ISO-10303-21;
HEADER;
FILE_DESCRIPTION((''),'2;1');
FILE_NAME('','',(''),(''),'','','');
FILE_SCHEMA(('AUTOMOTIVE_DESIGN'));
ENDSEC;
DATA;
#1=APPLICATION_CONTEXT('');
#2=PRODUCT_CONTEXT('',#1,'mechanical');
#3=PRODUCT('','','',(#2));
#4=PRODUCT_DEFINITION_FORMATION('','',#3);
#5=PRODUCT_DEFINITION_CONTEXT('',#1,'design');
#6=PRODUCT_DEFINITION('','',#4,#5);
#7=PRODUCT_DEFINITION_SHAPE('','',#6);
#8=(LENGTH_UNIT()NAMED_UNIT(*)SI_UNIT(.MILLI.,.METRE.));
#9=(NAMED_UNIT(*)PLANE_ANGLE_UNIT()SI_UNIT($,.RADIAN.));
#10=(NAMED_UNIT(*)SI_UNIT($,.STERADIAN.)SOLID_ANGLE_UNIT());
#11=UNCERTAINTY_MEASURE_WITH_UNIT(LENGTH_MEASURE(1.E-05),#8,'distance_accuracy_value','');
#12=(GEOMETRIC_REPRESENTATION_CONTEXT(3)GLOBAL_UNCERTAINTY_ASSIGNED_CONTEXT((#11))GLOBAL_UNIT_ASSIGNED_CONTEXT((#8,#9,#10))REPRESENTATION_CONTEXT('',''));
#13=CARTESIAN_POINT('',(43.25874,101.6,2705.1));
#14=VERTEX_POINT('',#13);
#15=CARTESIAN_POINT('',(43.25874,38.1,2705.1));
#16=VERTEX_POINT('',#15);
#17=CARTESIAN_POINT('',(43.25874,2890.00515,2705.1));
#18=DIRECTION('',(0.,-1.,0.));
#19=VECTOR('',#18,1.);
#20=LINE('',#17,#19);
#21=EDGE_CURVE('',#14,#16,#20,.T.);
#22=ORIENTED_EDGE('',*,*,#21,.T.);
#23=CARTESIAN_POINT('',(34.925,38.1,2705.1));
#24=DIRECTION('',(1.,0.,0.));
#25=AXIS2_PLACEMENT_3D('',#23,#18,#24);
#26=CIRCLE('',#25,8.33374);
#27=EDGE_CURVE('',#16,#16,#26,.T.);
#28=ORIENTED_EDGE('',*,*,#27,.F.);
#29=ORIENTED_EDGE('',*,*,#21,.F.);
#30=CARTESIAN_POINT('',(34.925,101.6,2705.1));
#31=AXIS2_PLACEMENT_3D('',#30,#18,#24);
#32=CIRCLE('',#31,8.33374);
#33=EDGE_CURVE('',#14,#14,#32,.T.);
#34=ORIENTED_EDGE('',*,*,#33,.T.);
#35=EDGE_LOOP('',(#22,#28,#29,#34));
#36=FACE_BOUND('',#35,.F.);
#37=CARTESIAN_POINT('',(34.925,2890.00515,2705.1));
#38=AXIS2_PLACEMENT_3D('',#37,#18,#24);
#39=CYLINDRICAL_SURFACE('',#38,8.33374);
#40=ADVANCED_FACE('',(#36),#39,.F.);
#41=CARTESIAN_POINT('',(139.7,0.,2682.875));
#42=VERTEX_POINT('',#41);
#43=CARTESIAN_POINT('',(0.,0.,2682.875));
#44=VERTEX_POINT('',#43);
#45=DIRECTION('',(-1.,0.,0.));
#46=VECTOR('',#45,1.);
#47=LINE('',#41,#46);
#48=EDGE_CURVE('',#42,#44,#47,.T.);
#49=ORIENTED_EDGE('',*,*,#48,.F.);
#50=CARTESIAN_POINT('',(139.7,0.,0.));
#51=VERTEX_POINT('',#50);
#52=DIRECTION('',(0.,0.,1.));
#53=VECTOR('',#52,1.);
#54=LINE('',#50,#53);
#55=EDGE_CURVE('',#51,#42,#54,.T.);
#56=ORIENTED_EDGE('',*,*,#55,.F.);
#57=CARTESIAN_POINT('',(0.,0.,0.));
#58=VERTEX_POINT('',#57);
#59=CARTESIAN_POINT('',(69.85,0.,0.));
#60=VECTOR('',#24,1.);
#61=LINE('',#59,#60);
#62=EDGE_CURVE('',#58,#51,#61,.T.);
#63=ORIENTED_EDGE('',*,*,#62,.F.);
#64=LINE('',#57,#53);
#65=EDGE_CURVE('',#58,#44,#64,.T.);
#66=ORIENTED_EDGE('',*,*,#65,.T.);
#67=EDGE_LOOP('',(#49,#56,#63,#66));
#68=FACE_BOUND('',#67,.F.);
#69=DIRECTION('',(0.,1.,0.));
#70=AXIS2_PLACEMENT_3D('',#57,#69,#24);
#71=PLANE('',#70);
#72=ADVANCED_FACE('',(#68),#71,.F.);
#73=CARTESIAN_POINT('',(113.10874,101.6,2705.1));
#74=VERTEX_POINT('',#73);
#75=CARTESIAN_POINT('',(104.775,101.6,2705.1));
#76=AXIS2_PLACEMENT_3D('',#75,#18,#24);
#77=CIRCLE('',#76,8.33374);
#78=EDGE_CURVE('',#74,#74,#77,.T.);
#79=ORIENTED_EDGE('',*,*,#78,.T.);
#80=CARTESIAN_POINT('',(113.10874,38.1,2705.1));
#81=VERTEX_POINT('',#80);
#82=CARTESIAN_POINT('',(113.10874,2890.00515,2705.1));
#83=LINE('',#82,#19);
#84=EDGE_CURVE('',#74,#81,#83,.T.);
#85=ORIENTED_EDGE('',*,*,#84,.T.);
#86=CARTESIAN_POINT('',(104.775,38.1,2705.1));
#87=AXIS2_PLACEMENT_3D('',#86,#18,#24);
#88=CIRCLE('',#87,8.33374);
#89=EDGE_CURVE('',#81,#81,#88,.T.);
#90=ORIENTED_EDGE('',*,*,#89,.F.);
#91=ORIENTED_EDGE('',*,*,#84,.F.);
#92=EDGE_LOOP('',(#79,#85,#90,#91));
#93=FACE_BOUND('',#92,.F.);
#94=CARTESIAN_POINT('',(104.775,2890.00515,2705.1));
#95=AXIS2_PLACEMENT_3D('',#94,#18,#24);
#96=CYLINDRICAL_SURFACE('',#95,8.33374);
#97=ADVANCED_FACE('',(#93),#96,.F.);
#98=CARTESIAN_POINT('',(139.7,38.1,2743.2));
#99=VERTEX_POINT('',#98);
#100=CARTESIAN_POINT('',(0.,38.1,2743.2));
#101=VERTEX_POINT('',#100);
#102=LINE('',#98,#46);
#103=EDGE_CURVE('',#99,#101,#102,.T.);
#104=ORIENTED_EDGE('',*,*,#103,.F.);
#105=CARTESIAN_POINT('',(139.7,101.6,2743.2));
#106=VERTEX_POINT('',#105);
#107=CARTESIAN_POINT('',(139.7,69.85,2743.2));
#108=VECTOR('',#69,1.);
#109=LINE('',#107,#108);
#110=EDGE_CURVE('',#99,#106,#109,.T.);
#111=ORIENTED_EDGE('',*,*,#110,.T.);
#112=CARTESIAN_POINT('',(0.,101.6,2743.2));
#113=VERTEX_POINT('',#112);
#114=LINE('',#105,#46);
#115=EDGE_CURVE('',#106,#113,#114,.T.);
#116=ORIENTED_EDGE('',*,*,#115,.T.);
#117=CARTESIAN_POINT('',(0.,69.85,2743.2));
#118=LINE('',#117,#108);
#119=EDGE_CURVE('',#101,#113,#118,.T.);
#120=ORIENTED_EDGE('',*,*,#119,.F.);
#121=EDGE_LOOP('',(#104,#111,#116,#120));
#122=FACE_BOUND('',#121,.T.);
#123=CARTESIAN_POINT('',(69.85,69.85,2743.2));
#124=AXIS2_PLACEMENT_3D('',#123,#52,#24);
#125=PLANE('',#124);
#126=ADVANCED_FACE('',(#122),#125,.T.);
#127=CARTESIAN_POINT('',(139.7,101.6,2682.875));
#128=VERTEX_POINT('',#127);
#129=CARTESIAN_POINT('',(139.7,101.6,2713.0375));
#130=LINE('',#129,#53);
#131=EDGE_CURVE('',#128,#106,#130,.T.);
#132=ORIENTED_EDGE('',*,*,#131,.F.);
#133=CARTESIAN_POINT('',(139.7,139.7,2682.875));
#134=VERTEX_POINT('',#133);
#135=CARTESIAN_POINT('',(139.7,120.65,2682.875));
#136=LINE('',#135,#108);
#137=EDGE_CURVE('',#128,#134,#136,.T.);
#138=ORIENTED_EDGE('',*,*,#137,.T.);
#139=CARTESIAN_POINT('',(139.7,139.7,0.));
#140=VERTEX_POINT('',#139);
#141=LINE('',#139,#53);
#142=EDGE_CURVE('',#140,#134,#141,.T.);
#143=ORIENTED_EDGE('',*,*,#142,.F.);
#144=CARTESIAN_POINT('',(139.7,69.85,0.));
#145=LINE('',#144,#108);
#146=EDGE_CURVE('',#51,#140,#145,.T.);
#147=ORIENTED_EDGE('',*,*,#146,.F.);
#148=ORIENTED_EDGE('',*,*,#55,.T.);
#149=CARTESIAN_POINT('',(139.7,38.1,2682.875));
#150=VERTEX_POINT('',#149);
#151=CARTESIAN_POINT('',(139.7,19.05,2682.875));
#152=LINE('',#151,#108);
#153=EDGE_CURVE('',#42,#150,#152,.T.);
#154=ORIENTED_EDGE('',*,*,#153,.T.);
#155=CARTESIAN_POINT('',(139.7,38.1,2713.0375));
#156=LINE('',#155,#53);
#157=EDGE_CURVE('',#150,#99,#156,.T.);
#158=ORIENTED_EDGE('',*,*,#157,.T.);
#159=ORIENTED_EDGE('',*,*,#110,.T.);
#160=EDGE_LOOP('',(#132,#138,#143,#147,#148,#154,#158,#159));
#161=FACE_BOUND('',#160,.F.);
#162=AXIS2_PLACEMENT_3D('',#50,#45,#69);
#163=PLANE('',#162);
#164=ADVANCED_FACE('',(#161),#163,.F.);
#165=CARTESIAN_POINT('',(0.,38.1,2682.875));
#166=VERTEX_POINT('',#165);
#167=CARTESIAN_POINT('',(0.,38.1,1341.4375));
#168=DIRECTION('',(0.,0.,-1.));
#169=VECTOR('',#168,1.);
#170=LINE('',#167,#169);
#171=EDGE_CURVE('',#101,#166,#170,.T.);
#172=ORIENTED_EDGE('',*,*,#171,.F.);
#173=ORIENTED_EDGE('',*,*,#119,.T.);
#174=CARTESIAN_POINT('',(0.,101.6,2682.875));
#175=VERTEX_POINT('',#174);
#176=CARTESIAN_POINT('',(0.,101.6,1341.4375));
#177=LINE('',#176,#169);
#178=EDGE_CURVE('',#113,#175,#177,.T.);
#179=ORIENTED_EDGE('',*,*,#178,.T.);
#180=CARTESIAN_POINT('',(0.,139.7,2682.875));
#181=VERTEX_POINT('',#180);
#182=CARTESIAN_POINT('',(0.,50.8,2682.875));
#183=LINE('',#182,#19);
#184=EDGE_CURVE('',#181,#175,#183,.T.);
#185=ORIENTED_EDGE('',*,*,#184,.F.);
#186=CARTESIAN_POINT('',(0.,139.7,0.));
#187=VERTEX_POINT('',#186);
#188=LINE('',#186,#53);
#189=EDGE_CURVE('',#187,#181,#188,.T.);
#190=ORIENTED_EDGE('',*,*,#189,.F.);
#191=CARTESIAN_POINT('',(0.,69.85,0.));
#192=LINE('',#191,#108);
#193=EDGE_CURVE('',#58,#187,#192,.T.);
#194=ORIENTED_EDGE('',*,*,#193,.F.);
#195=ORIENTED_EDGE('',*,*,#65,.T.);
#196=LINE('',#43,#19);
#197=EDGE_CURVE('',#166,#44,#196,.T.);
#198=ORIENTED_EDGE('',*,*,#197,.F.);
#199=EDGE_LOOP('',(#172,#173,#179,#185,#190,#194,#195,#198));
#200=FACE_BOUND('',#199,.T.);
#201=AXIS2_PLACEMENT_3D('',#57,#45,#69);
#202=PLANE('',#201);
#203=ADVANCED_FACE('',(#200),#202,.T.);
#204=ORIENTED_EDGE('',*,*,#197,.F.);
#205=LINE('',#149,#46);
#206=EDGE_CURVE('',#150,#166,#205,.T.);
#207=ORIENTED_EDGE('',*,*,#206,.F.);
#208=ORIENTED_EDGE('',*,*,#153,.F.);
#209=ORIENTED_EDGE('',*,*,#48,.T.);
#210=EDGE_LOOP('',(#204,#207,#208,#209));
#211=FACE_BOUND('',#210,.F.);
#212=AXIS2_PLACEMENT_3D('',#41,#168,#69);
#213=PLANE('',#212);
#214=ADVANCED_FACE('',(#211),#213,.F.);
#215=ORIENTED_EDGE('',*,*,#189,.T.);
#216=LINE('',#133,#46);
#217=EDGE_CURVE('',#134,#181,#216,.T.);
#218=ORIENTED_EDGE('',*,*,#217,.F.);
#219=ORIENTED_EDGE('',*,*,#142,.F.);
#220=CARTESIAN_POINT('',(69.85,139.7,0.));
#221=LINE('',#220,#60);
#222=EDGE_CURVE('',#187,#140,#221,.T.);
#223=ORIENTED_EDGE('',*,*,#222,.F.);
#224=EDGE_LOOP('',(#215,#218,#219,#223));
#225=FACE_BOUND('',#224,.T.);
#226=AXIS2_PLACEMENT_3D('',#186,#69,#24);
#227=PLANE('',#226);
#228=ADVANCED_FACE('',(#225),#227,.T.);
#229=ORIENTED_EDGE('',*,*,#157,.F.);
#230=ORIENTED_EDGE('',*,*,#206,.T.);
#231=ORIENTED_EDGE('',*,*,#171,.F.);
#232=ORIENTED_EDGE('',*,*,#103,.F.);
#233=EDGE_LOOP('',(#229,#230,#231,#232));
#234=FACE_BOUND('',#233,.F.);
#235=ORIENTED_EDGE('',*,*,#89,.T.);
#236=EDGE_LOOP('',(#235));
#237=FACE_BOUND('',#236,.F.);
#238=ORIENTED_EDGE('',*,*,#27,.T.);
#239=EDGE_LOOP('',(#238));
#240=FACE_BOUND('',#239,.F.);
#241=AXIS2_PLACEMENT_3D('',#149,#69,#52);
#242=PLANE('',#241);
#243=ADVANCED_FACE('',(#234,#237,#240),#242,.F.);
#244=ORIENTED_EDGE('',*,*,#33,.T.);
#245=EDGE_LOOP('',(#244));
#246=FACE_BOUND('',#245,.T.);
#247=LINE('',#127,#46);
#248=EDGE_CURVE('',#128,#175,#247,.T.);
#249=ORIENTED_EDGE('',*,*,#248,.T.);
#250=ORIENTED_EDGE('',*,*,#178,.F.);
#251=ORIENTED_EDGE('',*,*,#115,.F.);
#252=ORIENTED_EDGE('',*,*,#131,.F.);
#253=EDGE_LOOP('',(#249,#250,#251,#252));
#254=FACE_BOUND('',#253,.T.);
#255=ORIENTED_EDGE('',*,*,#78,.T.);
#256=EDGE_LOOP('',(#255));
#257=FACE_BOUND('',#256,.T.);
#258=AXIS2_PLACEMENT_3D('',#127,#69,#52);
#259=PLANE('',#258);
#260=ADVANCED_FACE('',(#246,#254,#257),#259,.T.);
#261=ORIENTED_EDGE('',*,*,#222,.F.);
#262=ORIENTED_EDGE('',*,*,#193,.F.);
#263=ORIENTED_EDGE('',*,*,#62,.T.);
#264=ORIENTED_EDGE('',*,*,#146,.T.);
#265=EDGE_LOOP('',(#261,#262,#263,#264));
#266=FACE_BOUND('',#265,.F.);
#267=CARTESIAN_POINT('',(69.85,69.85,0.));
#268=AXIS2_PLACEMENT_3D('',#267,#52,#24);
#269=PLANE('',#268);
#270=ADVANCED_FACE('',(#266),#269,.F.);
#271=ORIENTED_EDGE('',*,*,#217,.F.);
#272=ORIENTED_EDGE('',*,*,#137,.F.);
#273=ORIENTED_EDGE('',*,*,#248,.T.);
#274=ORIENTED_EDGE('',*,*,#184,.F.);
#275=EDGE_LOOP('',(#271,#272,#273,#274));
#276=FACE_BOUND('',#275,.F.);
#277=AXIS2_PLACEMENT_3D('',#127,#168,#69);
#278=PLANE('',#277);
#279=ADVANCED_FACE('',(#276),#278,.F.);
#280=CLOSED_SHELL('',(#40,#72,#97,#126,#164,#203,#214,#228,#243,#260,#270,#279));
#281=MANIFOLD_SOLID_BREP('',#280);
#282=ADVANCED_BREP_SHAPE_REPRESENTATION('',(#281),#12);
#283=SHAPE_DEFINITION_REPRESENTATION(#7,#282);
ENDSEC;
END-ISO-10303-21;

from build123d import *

# Parameters (mm, degrees)
F0_W     = 139.7
F0_H     = 139.7
F1_DEPTH = 2743.2
F2_W     = 38.1
F2_H     = 60.325
F3_DEPTH = 139.701
F5_D     = 16.66748


with BuildPart() as f1:
    # F0 (on Top) → F1 (new body)
    with BuildSketch(Plane.XY):
        with Locations((69.85, 69.85)):
            Rectangle(F0_W, F0_H)
    extrude(amount=F1_DEPTH)

    # F2 (on face) → F3 (cut, through all)
    with BuildSketch(Plane.YZ.offset(139.7)):
        with Locations((19.05, 2713.0375)):
            Rectangle(F2_W, F2_H)
        with Locations((120.65, 2713.0375)):
            Rectangle(F2_W, F2_H)
    extrude(amount=-F3_DEPTH, mode=Mode.SUBTRACT)

    # F5 (through all)
    with Locations(Plane(origin=(0, 139.7, 0), x_dir=(-1, 0, 0), z_dir=(0, 1, 0))):
        with Locations((-104.775, 2705.1), (-34.925, 2705.1)):
            Hole(F5_D / 2)


solid = f1.part
